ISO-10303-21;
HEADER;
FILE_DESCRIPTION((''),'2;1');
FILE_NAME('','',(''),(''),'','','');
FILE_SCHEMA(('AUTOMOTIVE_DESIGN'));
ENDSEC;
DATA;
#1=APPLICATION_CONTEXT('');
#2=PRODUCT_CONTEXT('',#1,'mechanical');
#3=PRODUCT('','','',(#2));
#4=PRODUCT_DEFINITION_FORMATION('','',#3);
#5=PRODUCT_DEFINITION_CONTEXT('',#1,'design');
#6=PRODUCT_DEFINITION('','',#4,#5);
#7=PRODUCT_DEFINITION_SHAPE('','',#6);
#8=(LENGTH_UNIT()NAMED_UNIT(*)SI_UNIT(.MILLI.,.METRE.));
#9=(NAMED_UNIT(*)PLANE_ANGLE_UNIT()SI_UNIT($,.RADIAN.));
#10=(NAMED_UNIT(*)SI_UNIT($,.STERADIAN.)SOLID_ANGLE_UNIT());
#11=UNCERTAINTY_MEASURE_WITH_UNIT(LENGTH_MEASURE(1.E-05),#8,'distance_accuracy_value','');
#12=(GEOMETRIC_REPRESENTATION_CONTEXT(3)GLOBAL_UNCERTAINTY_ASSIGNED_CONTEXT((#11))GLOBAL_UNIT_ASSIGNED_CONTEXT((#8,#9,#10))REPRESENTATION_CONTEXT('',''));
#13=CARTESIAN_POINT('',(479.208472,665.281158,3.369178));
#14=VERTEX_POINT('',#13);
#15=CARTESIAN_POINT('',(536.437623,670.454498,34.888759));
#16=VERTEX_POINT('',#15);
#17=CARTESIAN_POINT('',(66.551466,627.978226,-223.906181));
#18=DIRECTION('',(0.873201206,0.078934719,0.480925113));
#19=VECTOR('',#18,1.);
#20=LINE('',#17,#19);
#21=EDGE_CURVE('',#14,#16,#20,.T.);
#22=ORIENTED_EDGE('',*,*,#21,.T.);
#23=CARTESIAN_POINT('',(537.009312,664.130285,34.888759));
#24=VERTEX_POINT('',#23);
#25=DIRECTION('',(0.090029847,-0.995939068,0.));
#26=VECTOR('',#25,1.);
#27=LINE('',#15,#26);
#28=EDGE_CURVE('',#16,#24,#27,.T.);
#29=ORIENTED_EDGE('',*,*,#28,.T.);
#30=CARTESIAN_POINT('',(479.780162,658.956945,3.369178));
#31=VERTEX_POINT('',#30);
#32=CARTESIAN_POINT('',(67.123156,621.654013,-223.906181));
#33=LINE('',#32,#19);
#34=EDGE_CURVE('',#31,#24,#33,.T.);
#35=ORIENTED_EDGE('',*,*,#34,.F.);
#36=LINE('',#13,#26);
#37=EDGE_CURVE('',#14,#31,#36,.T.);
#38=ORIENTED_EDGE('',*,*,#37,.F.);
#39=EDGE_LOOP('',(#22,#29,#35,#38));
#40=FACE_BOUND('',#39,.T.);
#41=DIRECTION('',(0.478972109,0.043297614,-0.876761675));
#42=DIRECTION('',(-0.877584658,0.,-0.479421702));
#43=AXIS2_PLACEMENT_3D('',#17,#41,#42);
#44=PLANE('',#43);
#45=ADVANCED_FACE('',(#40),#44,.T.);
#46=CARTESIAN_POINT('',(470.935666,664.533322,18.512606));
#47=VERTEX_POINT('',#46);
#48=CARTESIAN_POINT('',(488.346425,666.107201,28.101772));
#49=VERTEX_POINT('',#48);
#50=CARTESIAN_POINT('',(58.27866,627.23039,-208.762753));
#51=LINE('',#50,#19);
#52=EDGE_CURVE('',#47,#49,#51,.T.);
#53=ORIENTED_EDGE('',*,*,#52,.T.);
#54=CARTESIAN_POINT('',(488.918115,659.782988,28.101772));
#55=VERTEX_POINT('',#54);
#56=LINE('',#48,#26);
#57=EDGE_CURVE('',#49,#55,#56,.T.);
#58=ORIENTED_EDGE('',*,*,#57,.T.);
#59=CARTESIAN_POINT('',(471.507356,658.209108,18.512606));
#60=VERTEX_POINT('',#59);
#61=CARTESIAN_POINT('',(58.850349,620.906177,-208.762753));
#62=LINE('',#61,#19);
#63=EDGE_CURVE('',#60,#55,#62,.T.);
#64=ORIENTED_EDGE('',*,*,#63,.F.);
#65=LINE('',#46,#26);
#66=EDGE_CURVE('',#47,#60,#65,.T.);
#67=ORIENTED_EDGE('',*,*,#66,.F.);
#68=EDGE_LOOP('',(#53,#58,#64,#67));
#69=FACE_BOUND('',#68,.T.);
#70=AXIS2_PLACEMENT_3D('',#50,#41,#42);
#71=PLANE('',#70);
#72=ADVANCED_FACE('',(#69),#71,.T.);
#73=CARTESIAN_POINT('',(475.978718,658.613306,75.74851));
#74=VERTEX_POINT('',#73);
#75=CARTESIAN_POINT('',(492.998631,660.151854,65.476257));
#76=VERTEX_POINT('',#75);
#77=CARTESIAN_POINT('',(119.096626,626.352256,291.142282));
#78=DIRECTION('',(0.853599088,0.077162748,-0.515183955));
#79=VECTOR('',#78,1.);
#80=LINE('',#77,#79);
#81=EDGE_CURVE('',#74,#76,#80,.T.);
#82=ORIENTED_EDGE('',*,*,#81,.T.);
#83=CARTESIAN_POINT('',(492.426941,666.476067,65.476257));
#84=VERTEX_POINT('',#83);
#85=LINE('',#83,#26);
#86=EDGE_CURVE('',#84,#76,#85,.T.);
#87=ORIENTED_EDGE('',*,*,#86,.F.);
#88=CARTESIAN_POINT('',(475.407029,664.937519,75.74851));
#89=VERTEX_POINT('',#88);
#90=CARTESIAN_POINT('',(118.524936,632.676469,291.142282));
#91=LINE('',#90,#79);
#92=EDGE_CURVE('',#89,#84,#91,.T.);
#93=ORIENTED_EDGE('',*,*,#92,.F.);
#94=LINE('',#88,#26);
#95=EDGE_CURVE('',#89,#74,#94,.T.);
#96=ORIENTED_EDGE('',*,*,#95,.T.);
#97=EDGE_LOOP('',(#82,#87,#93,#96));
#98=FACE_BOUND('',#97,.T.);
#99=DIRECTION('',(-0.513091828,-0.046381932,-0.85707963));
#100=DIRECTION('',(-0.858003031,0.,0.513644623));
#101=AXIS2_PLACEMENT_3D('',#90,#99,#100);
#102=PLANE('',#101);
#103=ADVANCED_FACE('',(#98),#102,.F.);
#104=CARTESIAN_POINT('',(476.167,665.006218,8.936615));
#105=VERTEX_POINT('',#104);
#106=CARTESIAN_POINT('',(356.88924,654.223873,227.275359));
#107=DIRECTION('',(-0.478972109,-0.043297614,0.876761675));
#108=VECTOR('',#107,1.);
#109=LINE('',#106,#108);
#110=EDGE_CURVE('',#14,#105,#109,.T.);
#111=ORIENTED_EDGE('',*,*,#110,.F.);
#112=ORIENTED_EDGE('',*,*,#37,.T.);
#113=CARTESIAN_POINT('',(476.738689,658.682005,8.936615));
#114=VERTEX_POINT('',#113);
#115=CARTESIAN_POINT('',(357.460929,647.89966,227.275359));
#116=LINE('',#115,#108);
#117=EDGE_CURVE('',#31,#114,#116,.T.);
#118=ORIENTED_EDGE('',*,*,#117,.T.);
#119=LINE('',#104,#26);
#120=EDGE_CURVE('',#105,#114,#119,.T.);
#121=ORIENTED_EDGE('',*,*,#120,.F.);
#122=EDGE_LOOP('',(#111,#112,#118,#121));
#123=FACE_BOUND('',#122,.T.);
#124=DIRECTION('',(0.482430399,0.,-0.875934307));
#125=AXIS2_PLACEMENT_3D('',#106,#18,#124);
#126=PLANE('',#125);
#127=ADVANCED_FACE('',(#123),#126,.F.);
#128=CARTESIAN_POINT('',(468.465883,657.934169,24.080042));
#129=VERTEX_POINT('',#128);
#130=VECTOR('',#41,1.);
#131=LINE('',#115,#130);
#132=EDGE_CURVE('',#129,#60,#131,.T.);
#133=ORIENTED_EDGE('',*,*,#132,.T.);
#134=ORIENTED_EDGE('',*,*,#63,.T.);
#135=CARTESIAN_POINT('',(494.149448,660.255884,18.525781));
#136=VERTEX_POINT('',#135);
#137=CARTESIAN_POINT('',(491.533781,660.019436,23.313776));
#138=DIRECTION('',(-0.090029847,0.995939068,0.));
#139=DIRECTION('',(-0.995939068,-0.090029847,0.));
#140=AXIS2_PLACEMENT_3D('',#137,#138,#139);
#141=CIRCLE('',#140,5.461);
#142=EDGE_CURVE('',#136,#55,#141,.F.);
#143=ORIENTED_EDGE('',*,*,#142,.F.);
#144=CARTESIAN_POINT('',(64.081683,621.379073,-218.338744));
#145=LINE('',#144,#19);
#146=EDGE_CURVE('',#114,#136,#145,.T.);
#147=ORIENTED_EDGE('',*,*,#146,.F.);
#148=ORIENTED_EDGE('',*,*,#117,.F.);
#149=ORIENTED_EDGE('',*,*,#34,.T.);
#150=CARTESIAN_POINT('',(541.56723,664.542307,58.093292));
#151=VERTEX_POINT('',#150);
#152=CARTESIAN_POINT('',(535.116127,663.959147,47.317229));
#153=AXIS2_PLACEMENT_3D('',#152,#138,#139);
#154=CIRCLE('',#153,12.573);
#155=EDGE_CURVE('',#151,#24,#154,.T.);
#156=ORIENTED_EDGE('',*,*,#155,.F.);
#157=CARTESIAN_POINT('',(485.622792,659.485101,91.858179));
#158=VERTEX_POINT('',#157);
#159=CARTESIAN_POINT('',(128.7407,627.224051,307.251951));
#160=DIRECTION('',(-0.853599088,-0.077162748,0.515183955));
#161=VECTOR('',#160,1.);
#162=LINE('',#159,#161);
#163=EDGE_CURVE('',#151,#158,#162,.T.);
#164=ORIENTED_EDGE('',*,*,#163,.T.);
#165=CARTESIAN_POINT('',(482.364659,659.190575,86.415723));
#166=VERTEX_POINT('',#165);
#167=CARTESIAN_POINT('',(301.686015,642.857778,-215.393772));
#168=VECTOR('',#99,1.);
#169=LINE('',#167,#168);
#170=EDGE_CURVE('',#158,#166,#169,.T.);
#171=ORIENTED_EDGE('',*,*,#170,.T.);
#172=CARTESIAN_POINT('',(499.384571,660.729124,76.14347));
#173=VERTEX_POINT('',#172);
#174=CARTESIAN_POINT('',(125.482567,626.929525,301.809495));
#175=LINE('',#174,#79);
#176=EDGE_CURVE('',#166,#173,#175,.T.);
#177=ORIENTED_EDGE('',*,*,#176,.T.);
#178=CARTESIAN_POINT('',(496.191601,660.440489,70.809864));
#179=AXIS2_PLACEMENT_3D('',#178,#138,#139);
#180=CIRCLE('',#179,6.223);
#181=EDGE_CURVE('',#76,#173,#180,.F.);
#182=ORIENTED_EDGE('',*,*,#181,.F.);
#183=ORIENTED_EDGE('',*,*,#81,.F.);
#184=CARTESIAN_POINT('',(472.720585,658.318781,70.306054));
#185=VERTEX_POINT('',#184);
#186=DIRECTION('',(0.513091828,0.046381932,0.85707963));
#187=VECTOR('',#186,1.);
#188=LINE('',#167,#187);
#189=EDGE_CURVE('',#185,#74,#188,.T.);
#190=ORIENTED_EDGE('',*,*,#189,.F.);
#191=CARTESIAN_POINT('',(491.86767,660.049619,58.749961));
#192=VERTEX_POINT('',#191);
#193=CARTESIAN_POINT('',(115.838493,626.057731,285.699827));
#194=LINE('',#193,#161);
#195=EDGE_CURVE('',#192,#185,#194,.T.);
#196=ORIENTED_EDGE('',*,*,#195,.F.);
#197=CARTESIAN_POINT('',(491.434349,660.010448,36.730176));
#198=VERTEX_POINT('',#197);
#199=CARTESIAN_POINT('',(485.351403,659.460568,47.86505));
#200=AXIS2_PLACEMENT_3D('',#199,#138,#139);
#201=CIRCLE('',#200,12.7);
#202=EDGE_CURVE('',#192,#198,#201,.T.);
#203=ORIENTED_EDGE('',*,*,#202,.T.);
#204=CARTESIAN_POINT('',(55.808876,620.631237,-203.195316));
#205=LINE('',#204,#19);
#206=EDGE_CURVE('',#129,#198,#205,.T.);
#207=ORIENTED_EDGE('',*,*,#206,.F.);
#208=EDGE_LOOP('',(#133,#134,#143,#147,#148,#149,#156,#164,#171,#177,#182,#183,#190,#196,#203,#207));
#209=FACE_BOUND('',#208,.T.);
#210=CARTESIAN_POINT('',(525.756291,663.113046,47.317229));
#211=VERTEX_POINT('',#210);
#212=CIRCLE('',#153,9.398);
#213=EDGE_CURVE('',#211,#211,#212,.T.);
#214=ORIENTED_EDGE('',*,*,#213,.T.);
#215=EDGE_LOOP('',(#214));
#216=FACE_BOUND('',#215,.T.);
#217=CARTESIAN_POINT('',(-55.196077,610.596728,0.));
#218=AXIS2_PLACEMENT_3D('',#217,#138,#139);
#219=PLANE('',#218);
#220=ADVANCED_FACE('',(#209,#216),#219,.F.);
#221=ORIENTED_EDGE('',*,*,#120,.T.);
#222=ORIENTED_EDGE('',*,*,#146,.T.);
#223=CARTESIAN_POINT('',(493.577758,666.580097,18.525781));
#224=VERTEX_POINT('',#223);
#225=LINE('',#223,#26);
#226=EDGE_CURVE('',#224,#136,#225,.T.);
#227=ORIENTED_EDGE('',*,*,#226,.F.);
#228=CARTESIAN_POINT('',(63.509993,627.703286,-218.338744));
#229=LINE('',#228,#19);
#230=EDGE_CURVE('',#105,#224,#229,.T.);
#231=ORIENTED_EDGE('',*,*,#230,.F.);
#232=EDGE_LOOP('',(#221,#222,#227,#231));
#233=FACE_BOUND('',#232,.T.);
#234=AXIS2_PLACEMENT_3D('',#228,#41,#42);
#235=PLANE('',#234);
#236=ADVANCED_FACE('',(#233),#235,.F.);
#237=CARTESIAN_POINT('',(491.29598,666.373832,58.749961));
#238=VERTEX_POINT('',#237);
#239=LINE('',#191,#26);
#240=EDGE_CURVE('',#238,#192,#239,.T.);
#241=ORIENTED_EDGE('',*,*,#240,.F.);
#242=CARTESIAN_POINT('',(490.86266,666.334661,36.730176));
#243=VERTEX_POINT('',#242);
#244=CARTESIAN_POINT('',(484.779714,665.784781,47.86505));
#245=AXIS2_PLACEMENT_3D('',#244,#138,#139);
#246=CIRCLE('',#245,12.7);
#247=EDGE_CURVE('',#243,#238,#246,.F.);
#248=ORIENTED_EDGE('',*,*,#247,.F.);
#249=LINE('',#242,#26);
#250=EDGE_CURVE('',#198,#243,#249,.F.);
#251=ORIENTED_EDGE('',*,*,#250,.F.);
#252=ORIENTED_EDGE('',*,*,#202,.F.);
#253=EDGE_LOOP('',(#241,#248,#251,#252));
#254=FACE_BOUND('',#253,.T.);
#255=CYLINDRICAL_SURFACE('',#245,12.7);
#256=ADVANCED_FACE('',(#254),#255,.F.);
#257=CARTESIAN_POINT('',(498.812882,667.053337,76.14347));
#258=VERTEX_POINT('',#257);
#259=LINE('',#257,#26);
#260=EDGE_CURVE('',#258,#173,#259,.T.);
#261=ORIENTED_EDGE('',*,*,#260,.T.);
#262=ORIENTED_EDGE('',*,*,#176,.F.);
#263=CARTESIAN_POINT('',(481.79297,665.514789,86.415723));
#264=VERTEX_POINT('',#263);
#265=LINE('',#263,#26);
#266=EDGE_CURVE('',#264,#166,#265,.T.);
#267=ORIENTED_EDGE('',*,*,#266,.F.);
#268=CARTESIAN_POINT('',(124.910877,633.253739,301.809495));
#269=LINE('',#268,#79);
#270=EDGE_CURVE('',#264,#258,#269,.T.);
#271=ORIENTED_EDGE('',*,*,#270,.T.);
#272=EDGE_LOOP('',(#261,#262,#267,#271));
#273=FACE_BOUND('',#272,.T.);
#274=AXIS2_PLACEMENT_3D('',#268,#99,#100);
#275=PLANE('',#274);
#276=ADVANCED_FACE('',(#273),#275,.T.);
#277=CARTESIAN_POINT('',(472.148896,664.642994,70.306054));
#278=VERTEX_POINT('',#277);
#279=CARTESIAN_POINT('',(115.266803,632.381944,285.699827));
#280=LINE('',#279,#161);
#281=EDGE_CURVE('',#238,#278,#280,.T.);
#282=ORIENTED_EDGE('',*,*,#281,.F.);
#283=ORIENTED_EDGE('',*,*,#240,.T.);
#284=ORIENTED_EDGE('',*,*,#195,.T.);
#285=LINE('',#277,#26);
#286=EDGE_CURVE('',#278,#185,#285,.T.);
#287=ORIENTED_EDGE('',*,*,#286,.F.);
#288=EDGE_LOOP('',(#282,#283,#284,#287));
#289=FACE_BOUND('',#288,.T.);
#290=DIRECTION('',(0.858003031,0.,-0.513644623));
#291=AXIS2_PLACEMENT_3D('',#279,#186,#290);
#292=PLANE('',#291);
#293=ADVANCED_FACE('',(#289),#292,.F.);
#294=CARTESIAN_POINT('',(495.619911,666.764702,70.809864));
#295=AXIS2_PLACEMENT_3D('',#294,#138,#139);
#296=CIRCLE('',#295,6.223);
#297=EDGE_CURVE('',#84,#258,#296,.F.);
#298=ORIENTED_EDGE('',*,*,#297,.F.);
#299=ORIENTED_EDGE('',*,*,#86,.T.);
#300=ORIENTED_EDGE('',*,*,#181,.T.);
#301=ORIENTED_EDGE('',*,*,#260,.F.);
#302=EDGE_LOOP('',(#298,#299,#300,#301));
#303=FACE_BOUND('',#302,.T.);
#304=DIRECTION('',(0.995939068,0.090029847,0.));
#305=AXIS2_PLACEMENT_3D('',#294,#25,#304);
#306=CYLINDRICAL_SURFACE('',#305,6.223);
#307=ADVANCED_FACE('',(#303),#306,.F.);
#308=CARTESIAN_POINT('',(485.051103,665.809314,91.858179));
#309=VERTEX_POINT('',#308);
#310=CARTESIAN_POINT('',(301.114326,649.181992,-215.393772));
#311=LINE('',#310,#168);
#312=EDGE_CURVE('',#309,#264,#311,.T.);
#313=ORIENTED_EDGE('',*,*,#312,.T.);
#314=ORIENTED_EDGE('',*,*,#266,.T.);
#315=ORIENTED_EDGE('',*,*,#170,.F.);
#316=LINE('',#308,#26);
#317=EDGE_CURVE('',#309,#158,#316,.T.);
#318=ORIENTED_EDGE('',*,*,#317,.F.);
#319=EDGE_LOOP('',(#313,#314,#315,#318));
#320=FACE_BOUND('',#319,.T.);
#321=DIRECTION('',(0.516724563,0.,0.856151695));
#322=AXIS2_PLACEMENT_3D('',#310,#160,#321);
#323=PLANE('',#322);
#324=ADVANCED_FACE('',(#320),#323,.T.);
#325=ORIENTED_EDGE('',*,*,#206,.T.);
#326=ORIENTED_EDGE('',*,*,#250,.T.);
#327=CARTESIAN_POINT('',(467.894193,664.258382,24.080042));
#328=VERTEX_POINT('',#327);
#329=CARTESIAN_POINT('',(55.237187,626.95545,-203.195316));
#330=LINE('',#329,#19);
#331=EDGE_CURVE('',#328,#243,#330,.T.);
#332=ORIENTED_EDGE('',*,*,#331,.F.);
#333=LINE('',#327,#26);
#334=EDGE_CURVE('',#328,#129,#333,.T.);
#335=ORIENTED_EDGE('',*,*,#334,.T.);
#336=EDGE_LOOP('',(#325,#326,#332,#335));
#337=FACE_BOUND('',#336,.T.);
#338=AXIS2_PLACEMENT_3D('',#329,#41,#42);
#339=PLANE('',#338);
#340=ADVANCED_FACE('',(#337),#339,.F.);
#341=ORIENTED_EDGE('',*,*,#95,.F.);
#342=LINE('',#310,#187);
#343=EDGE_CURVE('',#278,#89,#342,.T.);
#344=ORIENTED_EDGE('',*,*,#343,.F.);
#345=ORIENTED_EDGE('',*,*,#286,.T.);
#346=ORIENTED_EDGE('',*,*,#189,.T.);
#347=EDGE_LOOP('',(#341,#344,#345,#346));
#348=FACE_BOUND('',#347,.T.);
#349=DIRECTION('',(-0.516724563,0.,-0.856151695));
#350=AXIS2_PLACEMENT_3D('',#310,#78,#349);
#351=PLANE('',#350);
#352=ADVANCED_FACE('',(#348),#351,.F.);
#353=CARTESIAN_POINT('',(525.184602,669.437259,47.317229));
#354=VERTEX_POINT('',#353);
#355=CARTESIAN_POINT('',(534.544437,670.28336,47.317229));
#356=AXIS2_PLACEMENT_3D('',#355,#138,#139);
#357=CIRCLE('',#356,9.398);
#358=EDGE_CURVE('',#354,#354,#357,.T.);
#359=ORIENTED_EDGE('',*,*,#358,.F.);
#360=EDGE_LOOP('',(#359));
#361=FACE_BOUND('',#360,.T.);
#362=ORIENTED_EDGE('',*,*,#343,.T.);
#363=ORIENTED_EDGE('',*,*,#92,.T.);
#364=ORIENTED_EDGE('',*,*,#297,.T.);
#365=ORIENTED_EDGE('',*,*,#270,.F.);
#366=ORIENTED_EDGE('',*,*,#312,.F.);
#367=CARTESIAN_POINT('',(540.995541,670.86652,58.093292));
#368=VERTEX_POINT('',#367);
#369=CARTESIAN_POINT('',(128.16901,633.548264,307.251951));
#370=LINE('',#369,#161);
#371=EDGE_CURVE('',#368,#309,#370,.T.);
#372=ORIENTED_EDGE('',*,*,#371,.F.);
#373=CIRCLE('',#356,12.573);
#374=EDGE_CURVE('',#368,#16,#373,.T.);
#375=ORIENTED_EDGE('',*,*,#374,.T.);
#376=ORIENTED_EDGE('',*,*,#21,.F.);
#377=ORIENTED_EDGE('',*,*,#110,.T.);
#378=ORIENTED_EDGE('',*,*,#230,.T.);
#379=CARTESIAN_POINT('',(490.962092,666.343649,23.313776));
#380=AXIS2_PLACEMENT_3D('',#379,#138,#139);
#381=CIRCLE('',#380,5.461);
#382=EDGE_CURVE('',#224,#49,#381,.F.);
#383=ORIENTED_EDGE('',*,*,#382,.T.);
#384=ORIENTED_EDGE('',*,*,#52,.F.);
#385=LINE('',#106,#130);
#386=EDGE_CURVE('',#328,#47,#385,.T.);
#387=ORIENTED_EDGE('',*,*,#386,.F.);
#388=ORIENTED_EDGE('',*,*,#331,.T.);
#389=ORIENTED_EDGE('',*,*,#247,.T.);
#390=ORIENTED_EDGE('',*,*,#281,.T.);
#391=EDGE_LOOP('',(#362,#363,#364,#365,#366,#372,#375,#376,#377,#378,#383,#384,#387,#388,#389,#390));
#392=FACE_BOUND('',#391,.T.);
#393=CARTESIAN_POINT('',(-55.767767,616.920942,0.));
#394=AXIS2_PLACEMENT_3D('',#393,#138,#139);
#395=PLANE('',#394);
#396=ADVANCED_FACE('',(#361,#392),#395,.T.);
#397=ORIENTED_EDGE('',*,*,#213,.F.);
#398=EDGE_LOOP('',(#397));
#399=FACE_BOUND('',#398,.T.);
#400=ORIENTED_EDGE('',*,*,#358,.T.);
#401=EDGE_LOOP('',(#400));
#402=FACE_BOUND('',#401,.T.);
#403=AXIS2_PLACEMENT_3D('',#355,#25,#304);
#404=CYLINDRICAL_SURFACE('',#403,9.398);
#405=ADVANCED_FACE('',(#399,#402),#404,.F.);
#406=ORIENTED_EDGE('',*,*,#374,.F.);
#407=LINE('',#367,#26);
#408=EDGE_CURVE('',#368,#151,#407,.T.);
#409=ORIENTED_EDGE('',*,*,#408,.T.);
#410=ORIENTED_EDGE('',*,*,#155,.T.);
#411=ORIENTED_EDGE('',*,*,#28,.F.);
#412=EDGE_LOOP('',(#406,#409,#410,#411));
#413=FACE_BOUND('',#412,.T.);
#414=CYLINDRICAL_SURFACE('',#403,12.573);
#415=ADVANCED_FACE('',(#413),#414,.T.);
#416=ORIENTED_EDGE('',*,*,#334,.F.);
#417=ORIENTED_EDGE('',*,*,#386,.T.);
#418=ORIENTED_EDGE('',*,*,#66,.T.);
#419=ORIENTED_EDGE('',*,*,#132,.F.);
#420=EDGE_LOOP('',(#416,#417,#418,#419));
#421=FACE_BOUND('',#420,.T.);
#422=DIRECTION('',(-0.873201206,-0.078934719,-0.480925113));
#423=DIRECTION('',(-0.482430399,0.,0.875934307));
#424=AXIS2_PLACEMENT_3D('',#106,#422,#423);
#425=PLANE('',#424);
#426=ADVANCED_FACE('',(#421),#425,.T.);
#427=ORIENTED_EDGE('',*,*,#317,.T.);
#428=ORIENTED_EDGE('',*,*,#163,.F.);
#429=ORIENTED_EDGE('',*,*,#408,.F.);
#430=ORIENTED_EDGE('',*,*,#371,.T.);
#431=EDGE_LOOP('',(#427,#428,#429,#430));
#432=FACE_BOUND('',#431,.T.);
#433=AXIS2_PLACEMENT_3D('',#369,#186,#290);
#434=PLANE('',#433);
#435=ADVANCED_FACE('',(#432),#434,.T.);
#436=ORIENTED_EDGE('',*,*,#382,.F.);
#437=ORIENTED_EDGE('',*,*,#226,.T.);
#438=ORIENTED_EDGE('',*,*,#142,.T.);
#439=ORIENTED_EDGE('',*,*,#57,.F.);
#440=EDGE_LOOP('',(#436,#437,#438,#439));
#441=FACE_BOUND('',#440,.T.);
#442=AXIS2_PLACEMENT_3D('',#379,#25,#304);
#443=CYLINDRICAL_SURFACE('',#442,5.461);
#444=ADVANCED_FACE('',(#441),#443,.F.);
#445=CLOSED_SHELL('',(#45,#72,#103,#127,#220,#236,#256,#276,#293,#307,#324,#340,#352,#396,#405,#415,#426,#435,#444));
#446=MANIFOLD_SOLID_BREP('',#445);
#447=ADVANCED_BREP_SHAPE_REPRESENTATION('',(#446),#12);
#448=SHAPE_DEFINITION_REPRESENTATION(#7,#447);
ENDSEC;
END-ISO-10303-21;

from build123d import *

# Parameters (mm, degrees)
SKETCH1_R           = 12.573
SKETCH1_R_2         = 9.398
BOSS_EXTRUDE1_DEPTH = 3.175
FILLET1_R           = 12.7


with BuildPart() as part:
    # Sketch1 → Boss-Extrude1 (new body, symmetric)
    with BuildSketch(Plane(origin=(-54.155377654, 613.87875058, 32.992743825), x_dir=(0, 0, 1), z_dir=(-0.090029847, 0.995939068, 0))):
        with BuildLine():
            Line((1.896014785, 593.288148249), (-29.623565633, 535.82564653))
            Line((-29.623565633, 535.82564653), (-24.056128994, 532.771772062))
            Line((-24.056128994, 532.771772062), (-14.466963164, 550.253523109))
            ThreePointArc((-14.466963164, 550.253523109), (-7.052635612, 552.415186576), (-4.890972145, 545.000859024))
            Line((-4.890972145, 545.000859024), (-14.480137975, 527.519107976))
            Line((-14.480137975, 527.519107976), (-8.912701335, 524.465233508))
            Line((-8.912701335, 524.465233508), (14.368665453, 566.908868904))
            Line((14.368665453, 566.908868904), (3.548423472, 584.90983519))
            ThreePointArc((3.548423472, 584.90983519), (1.989104795, 588.954403604), (1.896014785, 593.288148249))
        make_face()
        with BuildLine():
            ThreePointArc((22.606879083, 581.927735227), (12.380822619, 578.965387193), (3.548423472, 584.90983519))
            Line((3.548423472, 584.90983519), (14.368665453, 566.908868904))
            Line((14.368665453, 566.908868904), (22.606879083, 581.927735227))
        make_face()
        with BuildLine():
            Line((58.865434837, 541.692100135), (25.100547859, 597.864650913))
            ThreePointArc((25.100547859, 597.864650913), (26.43992538, 594.748262171), (26.897485666, 591.387243051))
            ThreePointArc((26.897485666, 591.387243051), (25.774700979, 586.193699148), (22.606879083, 581.927735227))
            Line((22.606879083, 581.927735227), (14.368665453, 566.908868904))
            Line((14.368665453, 566.908868904), (37.31331045, 528.737284412))
            Line((37.31331045, 528.737284412), (42.755766103, 532.008702524))
            Line((42.755766103, 532.008702524), (32.483513232, 549.098013274))
            ThreePointArc((32.483513232, 549.098013274), (34.611130022, 557.637609564), (43.150726312, 555.509992774))
            Line((43.150726312, 555.509992774), (53.422979184, 538.420682023))
            Line((53.422979184, 538.420682023), (58.865434837, 541.692100135))
        make_face()
        with Locations((14.324485666, 591.387243051)):
            Circle(SKETCH1_R)
        with Locations((14.324485666, 591.387243051)):
            Circle(SKETCH1_R_2, mode=Mode.SUBTRACT)
    extrude(amount=BOSS_EXTRUDE1_DEPTH, both=True)

    # Fillet1
    fillet1_edges = [part.edges().sort_by_distance(p)[0] for p in [
        (510.451312753, 664.917469113, 47.361409278),
    ]]
    fillet(fillet1_edges, radius=FILLET1_R)


solid = part.part
